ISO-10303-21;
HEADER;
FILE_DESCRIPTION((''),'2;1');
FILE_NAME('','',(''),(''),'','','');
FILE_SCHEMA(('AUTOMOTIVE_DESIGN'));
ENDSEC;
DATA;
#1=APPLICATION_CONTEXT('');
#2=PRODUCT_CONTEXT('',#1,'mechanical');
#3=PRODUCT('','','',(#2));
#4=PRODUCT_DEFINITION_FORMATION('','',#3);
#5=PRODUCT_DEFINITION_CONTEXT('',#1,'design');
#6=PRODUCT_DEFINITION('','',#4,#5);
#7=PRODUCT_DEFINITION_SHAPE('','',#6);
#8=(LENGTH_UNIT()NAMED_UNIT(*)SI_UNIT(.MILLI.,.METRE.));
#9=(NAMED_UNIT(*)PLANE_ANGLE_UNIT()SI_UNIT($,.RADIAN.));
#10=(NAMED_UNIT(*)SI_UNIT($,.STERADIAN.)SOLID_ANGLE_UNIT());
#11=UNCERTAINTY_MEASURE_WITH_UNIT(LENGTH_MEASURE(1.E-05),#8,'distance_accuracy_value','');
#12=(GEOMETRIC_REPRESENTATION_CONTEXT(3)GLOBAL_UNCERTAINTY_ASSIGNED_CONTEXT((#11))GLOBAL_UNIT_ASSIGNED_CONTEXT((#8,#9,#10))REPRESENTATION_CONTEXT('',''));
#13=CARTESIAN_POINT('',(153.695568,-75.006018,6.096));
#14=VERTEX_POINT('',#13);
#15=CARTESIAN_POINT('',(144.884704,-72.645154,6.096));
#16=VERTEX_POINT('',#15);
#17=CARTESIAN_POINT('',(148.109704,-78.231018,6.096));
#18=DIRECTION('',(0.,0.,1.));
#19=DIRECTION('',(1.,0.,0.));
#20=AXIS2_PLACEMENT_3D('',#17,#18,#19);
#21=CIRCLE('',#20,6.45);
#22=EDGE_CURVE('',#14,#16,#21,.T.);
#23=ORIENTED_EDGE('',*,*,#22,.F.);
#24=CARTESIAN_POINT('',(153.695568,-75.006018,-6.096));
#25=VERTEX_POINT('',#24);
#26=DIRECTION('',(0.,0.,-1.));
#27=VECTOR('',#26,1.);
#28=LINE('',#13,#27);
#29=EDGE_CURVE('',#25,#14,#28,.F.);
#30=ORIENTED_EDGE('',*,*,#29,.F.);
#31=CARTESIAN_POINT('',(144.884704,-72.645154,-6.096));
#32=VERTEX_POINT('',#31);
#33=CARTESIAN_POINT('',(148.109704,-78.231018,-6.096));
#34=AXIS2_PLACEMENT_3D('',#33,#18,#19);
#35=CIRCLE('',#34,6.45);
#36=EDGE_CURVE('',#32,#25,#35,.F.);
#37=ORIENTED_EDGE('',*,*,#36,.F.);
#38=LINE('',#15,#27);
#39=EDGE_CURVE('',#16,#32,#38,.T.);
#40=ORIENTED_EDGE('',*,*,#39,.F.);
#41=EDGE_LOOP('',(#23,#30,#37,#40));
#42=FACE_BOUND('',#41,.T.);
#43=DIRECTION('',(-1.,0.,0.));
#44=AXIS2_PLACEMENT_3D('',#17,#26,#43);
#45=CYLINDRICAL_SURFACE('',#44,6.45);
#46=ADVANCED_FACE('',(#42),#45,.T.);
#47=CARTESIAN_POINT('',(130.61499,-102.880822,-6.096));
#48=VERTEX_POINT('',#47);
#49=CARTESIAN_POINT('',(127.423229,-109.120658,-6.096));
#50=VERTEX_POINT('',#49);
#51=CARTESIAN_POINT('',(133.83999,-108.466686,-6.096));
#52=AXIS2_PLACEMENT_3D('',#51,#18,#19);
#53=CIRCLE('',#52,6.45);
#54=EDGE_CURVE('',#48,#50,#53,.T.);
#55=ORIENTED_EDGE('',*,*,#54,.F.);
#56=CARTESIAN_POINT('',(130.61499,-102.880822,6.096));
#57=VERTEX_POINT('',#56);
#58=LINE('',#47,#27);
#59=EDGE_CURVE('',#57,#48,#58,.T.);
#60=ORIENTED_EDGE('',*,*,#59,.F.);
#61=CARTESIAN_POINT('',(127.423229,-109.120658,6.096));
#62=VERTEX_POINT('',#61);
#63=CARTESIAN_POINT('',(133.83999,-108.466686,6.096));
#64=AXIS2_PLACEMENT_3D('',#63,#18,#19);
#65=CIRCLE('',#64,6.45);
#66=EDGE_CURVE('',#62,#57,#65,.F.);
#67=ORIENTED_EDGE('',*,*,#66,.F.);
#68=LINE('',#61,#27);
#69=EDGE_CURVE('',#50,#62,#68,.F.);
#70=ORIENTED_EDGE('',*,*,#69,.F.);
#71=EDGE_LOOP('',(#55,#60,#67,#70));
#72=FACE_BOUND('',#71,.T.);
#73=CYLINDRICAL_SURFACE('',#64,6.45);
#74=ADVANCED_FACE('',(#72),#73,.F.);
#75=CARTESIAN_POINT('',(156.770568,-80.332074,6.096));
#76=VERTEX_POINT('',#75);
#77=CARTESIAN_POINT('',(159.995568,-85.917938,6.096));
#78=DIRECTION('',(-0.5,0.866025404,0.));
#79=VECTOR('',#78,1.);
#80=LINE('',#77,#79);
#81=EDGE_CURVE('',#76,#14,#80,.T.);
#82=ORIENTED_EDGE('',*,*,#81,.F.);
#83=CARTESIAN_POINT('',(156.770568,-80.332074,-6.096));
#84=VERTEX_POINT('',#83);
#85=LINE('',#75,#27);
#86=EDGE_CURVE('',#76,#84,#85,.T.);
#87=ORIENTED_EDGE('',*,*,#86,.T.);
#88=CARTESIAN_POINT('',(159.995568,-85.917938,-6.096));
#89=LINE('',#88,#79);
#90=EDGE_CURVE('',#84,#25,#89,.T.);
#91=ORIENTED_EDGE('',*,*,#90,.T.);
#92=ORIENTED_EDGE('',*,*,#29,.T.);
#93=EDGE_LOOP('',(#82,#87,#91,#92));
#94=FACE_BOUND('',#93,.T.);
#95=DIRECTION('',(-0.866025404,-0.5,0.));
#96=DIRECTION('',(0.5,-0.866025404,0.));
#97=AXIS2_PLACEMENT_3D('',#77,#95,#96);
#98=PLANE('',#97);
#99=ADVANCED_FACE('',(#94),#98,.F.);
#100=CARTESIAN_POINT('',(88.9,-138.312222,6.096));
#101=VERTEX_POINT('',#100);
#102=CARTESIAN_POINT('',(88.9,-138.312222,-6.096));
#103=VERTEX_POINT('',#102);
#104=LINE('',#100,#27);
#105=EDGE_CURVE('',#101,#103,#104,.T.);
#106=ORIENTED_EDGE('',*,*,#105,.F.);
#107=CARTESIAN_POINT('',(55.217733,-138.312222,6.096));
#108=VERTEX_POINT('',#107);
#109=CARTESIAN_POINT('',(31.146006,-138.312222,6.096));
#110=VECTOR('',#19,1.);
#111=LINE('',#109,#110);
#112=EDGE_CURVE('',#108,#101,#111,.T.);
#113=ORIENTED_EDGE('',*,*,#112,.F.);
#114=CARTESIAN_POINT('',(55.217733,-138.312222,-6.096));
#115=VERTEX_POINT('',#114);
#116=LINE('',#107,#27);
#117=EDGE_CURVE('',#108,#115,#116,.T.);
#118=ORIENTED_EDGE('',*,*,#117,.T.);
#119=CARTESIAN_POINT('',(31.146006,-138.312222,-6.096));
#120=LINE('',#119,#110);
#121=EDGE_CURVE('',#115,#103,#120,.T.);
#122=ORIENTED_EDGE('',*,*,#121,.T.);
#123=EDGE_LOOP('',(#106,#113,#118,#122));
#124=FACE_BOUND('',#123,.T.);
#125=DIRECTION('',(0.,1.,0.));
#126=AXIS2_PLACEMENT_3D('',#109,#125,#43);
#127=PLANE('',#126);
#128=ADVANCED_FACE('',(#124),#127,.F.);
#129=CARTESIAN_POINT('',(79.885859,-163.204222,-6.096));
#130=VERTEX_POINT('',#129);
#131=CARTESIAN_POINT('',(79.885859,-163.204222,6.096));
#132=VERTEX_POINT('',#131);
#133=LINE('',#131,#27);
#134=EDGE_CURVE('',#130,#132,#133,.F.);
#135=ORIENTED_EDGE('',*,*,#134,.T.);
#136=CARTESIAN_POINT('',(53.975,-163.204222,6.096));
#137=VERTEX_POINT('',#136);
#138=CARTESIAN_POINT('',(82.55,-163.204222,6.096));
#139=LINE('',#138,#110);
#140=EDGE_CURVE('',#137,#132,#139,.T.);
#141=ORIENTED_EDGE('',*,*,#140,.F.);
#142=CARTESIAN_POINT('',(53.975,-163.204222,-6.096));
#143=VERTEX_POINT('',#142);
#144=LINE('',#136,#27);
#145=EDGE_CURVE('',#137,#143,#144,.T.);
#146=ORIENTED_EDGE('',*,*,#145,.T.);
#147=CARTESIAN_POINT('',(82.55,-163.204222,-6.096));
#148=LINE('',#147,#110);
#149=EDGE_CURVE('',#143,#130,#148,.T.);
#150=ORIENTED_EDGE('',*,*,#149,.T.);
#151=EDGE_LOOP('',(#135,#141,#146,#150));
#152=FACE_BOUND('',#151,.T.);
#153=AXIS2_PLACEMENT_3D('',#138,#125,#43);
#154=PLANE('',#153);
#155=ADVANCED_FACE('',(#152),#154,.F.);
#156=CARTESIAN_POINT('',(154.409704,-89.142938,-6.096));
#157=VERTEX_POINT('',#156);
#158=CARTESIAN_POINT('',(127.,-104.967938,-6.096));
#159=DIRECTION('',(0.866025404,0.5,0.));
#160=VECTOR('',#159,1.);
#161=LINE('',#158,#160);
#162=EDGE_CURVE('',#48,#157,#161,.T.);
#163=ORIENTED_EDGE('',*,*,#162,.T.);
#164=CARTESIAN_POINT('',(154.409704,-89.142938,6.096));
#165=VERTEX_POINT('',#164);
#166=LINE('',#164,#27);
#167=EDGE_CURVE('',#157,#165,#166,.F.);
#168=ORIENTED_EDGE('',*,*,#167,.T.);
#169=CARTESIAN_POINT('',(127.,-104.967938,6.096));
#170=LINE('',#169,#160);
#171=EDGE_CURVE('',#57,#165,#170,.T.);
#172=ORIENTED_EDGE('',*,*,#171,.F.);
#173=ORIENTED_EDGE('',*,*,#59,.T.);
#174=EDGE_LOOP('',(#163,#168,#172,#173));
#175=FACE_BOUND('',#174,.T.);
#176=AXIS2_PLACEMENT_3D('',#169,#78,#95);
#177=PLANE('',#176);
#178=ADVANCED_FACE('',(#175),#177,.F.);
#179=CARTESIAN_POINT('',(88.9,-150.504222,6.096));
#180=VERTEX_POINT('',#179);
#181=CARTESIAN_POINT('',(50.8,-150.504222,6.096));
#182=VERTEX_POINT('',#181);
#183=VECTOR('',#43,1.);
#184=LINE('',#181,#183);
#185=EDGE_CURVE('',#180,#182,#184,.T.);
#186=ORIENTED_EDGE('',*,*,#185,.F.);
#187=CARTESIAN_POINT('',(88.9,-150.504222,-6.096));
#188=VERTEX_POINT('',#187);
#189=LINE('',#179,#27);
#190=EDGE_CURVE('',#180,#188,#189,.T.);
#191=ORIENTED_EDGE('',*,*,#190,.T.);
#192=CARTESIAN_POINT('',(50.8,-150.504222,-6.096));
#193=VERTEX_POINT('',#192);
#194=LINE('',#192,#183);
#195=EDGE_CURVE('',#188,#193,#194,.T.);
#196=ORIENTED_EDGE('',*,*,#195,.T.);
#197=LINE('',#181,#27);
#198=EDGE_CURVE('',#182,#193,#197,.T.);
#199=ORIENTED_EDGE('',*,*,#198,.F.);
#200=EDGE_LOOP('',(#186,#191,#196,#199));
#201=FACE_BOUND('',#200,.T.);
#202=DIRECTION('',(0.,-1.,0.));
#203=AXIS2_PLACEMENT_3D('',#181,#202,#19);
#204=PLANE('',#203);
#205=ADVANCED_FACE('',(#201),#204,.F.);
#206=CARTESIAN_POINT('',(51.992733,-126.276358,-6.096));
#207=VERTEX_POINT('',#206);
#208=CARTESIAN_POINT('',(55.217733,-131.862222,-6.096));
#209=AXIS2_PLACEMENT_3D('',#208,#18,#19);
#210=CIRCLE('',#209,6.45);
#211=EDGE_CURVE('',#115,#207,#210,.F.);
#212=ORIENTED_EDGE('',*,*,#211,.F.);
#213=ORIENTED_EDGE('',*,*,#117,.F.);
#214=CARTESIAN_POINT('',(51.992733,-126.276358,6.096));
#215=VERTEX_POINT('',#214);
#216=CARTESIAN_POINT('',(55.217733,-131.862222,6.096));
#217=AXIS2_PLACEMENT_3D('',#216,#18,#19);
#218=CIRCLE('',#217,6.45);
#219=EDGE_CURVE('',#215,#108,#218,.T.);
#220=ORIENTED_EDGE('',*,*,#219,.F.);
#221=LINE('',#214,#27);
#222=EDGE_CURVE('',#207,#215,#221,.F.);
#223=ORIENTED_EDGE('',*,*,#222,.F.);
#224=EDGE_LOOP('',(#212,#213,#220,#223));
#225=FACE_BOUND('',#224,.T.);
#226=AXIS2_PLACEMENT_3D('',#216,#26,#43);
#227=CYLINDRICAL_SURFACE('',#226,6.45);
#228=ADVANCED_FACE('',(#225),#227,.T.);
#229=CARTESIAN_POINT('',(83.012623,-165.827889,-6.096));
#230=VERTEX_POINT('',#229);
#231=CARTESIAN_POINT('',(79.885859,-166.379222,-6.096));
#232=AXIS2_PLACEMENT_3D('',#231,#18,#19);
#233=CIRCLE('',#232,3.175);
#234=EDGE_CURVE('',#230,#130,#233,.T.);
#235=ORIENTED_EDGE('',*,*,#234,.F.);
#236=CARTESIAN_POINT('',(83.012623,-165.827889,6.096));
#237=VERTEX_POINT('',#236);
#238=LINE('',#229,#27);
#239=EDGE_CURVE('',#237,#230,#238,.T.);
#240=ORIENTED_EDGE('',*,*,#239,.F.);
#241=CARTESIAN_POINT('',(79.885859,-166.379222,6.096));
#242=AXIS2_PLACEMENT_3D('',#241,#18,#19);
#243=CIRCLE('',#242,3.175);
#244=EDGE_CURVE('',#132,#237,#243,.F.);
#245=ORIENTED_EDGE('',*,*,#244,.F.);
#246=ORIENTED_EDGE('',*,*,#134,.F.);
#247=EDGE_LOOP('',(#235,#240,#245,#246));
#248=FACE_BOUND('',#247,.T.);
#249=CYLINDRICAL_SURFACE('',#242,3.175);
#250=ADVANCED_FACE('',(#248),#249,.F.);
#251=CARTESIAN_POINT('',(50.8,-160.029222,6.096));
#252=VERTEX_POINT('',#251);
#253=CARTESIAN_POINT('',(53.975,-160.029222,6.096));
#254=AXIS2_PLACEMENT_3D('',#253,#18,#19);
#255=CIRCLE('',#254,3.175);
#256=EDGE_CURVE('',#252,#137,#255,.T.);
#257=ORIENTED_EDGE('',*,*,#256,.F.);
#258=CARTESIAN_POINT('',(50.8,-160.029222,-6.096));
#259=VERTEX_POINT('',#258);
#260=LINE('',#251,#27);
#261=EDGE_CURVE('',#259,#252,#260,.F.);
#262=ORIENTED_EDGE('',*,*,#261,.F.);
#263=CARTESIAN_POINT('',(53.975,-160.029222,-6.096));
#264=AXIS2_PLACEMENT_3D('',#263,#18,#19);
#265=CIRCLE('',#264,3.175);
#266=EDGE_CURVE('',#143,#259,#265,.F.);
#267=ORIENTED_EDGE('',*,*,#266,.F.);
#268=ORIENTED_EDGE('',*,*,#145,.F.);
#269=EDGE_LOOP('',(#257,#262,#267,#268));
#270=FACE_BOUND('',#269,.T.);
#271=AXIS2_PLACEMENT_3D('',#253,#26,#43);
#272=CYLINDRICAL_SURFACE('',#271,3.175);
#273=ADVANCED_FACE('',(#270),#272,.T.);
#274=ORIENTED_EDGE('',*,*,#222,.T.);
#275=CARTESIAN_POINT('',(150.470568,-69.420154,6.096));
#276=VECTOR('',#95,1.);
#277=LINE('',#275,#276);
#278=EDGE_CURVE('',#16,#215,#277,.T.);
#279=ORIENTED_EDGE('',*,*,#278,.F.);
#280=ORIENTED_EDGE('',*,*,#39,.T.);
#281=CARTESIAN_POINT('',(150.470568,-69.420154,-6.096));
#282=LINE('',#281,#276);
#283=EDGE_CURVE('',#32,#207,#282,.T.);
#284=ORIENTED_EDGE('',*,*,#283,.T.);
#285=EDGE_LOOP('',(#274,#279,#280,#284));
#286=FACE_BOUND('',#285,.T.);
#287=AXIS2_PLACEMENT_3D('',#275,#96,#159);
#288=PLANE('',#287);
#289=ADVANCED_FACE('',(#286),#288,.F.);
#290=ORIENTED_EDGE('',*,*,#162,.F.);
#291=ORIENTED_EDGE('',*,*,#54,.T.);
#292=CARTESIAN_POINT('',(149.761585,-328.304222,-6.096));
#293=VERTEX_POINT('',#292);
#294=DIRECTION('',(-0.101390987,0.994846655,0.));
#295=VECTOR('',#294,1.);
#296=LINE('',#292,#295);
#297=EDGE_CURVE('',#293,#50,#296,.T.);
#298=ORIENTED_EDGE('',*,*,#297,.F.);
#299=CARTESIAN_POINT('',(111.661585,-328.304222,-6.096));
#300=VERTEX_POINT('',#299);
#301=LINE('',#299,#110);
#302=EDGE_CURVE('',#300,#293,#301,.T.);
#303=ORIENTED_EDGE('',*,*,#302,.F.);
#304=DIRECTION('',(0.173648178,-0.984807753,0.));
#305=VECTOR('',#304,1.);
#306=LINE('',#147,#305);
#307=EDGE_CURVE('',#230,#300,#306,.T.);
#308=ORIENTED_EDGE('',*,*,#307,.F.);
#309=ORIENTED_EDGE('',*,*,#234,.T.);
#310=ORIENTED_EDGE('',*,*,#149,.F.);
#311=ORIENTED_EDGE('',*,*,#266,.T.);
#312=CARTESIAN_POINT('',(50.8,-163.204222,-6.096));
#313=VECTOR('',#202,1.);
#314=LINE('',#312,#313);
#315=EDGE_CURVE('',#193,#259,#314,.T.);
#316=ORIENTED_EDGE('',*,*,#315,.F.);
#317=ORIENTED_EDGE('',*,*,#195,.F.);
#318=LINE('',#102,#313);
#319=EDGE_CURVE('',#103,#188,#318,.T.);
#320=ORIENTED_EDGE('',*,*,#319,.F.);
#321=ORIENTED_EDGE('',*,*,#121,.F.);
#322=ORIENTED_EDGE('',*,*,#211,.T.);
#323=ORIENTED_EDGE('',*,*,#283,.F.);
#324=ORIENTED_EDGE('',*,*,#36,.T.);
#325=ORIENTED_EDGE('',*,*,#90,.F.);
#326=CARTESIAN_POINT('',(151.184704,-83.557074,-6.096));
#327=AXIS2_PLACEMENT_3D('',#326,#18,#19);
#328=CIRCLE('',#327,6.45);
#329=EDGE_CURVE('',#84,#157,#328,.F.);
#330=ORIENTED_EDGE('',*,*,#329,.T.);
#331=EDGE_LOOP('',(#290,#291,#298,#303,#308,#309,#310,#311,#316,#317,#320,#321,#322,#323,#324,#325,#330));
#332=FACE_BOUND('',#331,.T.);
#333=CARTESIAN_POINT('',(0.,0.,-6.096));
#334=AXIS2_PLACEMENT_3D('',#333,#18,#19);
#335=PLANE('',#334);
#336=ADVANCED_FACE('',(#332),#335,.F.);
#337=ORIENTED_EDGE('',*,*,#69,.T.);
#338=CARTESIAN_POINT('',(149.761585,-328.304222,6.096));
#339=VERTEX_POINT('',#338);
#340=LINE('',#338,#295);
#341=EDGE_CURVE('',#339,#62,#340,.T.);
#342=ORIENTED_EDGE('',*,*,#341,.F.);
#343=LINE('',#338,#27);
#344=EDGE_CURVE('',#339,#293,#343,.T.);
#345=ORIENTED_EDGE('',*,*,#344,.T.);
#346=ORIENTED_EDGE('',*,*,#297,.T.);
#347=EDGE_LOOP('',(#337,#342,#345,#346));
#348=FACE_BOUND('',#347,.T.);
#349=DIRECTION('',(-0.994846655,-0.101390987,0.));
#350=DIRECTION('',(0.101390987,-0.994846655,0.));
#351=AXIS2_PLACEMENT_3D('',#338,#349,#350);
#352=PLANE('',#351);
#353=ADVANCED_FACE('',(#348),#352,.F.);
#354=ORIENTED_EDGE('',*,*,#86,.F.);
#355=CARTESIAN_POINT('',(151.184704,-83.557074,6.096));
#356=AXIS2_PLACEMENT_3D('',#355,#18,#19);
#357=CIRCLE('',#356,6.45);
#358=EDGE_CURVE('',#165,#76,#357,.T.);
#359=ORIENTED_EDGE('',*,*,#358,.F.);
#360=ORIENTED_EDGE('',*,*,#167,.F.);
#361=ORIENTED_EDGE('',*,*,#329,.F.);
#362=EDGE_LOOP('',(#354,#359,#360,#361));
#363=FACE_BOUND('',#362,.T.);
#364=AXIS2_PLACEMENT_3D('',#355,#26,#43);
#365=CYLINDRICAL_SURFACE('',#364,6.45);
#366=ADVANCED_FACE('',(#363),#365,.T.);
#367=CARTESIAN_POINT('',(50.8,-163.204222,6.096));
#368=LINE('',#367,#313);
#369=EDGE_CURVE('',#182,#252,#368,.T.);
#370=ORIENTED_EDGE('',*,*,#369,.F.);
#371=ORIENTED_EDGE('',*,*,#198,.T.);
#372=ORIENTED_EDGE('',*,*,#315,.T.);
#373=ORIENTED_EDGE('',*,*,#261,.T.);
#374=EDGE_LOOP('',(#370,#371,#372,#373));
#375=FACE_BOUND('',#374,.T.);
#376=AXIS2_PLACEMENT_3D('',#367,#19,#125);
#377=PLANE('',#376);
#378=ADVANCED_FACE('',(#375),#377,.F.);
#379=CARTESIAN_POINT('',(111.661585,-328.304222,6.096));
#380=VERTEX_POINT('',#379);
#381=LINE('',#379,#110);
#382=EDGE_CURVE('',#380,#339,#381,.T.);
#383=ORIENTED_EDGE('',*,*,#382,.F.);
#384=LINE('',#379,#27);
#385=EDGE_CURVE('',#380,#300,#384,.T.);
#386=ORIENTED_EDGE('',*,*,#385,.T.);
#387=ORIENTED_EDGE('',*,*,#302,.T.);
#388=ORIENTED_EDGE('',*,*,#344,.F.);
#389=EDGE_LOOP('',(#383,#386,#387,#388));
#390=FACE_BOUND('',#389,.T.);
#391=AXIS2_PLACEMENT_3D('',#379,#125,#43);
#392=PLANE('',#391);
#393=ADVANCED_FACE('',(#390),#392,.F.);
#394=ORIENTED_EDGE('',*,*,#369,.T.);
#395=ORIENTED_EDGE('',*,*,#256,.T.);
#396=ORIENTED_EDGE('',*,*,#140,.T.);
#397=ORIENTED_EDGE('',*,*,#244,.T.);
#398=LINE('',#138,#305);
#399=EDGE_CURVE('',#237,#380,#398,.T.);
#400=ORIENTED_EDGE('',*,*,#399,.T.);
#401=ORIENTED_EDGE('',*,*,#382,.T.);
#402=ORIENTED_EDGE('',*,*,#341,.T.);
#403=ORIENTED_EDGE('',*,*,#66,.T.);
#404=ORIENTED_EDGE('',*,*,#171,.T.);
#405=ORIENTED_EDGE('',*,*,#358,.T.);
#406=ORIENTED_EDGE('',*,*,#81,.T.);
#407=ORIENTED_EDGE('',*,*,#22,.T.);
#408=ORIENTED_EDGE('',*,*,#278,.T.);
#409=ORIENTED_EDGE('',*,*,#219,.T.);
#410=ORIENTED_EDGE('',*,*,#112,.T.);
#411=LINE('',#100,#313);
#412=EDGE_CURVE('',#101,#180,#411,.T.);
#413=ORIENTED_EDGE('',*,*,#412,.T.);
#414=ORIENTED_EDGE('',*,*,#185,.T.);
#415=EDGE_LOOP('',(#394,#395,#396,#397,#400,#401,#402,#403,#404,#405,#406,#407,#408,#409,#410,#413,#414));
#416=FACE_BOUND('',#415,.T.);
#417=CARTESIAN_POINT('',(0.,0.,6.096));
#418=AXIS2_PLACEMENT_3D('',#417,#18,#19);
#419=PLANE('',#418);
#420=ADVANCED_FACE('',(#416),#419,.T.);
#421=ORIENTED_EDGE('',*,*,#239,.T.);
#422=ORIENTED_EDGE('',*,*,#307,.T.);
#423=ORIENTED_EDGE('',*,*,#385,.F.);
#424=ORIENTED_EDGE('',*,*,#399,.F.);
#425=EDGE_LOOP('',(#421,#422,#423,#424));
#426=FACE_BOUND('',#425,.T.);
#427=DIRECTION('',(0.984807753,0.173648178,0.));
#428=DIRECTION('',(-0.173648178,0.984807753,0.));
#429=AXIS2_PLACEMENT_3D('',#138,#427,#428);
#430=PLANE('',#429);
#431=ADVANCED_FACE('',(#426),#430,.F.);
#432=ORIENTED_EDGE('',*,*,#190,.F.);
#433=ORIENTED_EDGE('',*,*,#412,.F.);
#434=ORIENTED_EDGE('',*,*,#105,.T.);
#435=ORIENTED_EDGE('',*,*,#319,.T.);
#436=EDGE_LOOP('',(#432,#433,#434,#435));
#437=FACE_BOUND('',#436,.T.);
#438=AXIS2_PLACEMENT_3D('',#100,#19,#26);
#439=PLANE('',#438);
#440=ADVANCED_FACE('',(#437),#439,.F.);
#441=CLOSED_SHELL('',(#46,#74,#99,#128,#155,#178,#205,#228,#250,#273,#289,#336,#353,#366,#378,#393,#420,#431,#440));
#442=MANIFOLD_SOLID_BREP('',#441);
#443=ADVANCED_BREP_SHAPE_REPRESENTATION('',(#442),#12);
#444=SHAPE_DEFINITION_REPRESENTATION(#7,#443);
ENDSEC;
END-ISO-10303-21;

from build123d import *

# Parameters (mm, degrees)
BOSS_EXTRUDE1_DEPTH = 6.096
FILLET1_R           = 6.45
FILLET2_R           = 3.175


with BuildPart() as part:
    # Sketch1 → Boss-Extrude1 (new, symmetric)
    with BuildSketch(Plane.XY):
        Polygon((159.995567884, -85.917938074), (150.470567884, -69.420154132), (31.146005713, -138.312222222), (88.9, -138.312222222), (88.9, -150.504222222), (50.8, -150.504222222), (50.8, -163.204222222), (82.55, -163.204222222), (111.661584515, -328.304222222), (149.761584515, -328.304222222), (127, -104.967938074), align=None)
    extrude(amount=BOSS_EXTRUDE1_DEPTH, both=True)

    # Fillet1
    fillet1_edges = [part.edges().sort_by_distance(p)[0] for p in [
        (127, -104.967938074, 0),
        (31.146005713, -138.312222222, 0),
        (150.470567884, -69.420154132, 0),
        (159.995567884, -85.917938074, 0),
    ]]
    fillet(fillet1_edges, radius=FILLET1_R)

    # Fillet2
    fillet2_edges = [part.edges().sort_by_distance(p)[0] for p in [
        (82.55, -163.204222222, 0),
        (50.8, -163.204222222, 0),
    ]]
    fillet(fillet2_edges, radius=FILLET2_R)


solid = part.part
